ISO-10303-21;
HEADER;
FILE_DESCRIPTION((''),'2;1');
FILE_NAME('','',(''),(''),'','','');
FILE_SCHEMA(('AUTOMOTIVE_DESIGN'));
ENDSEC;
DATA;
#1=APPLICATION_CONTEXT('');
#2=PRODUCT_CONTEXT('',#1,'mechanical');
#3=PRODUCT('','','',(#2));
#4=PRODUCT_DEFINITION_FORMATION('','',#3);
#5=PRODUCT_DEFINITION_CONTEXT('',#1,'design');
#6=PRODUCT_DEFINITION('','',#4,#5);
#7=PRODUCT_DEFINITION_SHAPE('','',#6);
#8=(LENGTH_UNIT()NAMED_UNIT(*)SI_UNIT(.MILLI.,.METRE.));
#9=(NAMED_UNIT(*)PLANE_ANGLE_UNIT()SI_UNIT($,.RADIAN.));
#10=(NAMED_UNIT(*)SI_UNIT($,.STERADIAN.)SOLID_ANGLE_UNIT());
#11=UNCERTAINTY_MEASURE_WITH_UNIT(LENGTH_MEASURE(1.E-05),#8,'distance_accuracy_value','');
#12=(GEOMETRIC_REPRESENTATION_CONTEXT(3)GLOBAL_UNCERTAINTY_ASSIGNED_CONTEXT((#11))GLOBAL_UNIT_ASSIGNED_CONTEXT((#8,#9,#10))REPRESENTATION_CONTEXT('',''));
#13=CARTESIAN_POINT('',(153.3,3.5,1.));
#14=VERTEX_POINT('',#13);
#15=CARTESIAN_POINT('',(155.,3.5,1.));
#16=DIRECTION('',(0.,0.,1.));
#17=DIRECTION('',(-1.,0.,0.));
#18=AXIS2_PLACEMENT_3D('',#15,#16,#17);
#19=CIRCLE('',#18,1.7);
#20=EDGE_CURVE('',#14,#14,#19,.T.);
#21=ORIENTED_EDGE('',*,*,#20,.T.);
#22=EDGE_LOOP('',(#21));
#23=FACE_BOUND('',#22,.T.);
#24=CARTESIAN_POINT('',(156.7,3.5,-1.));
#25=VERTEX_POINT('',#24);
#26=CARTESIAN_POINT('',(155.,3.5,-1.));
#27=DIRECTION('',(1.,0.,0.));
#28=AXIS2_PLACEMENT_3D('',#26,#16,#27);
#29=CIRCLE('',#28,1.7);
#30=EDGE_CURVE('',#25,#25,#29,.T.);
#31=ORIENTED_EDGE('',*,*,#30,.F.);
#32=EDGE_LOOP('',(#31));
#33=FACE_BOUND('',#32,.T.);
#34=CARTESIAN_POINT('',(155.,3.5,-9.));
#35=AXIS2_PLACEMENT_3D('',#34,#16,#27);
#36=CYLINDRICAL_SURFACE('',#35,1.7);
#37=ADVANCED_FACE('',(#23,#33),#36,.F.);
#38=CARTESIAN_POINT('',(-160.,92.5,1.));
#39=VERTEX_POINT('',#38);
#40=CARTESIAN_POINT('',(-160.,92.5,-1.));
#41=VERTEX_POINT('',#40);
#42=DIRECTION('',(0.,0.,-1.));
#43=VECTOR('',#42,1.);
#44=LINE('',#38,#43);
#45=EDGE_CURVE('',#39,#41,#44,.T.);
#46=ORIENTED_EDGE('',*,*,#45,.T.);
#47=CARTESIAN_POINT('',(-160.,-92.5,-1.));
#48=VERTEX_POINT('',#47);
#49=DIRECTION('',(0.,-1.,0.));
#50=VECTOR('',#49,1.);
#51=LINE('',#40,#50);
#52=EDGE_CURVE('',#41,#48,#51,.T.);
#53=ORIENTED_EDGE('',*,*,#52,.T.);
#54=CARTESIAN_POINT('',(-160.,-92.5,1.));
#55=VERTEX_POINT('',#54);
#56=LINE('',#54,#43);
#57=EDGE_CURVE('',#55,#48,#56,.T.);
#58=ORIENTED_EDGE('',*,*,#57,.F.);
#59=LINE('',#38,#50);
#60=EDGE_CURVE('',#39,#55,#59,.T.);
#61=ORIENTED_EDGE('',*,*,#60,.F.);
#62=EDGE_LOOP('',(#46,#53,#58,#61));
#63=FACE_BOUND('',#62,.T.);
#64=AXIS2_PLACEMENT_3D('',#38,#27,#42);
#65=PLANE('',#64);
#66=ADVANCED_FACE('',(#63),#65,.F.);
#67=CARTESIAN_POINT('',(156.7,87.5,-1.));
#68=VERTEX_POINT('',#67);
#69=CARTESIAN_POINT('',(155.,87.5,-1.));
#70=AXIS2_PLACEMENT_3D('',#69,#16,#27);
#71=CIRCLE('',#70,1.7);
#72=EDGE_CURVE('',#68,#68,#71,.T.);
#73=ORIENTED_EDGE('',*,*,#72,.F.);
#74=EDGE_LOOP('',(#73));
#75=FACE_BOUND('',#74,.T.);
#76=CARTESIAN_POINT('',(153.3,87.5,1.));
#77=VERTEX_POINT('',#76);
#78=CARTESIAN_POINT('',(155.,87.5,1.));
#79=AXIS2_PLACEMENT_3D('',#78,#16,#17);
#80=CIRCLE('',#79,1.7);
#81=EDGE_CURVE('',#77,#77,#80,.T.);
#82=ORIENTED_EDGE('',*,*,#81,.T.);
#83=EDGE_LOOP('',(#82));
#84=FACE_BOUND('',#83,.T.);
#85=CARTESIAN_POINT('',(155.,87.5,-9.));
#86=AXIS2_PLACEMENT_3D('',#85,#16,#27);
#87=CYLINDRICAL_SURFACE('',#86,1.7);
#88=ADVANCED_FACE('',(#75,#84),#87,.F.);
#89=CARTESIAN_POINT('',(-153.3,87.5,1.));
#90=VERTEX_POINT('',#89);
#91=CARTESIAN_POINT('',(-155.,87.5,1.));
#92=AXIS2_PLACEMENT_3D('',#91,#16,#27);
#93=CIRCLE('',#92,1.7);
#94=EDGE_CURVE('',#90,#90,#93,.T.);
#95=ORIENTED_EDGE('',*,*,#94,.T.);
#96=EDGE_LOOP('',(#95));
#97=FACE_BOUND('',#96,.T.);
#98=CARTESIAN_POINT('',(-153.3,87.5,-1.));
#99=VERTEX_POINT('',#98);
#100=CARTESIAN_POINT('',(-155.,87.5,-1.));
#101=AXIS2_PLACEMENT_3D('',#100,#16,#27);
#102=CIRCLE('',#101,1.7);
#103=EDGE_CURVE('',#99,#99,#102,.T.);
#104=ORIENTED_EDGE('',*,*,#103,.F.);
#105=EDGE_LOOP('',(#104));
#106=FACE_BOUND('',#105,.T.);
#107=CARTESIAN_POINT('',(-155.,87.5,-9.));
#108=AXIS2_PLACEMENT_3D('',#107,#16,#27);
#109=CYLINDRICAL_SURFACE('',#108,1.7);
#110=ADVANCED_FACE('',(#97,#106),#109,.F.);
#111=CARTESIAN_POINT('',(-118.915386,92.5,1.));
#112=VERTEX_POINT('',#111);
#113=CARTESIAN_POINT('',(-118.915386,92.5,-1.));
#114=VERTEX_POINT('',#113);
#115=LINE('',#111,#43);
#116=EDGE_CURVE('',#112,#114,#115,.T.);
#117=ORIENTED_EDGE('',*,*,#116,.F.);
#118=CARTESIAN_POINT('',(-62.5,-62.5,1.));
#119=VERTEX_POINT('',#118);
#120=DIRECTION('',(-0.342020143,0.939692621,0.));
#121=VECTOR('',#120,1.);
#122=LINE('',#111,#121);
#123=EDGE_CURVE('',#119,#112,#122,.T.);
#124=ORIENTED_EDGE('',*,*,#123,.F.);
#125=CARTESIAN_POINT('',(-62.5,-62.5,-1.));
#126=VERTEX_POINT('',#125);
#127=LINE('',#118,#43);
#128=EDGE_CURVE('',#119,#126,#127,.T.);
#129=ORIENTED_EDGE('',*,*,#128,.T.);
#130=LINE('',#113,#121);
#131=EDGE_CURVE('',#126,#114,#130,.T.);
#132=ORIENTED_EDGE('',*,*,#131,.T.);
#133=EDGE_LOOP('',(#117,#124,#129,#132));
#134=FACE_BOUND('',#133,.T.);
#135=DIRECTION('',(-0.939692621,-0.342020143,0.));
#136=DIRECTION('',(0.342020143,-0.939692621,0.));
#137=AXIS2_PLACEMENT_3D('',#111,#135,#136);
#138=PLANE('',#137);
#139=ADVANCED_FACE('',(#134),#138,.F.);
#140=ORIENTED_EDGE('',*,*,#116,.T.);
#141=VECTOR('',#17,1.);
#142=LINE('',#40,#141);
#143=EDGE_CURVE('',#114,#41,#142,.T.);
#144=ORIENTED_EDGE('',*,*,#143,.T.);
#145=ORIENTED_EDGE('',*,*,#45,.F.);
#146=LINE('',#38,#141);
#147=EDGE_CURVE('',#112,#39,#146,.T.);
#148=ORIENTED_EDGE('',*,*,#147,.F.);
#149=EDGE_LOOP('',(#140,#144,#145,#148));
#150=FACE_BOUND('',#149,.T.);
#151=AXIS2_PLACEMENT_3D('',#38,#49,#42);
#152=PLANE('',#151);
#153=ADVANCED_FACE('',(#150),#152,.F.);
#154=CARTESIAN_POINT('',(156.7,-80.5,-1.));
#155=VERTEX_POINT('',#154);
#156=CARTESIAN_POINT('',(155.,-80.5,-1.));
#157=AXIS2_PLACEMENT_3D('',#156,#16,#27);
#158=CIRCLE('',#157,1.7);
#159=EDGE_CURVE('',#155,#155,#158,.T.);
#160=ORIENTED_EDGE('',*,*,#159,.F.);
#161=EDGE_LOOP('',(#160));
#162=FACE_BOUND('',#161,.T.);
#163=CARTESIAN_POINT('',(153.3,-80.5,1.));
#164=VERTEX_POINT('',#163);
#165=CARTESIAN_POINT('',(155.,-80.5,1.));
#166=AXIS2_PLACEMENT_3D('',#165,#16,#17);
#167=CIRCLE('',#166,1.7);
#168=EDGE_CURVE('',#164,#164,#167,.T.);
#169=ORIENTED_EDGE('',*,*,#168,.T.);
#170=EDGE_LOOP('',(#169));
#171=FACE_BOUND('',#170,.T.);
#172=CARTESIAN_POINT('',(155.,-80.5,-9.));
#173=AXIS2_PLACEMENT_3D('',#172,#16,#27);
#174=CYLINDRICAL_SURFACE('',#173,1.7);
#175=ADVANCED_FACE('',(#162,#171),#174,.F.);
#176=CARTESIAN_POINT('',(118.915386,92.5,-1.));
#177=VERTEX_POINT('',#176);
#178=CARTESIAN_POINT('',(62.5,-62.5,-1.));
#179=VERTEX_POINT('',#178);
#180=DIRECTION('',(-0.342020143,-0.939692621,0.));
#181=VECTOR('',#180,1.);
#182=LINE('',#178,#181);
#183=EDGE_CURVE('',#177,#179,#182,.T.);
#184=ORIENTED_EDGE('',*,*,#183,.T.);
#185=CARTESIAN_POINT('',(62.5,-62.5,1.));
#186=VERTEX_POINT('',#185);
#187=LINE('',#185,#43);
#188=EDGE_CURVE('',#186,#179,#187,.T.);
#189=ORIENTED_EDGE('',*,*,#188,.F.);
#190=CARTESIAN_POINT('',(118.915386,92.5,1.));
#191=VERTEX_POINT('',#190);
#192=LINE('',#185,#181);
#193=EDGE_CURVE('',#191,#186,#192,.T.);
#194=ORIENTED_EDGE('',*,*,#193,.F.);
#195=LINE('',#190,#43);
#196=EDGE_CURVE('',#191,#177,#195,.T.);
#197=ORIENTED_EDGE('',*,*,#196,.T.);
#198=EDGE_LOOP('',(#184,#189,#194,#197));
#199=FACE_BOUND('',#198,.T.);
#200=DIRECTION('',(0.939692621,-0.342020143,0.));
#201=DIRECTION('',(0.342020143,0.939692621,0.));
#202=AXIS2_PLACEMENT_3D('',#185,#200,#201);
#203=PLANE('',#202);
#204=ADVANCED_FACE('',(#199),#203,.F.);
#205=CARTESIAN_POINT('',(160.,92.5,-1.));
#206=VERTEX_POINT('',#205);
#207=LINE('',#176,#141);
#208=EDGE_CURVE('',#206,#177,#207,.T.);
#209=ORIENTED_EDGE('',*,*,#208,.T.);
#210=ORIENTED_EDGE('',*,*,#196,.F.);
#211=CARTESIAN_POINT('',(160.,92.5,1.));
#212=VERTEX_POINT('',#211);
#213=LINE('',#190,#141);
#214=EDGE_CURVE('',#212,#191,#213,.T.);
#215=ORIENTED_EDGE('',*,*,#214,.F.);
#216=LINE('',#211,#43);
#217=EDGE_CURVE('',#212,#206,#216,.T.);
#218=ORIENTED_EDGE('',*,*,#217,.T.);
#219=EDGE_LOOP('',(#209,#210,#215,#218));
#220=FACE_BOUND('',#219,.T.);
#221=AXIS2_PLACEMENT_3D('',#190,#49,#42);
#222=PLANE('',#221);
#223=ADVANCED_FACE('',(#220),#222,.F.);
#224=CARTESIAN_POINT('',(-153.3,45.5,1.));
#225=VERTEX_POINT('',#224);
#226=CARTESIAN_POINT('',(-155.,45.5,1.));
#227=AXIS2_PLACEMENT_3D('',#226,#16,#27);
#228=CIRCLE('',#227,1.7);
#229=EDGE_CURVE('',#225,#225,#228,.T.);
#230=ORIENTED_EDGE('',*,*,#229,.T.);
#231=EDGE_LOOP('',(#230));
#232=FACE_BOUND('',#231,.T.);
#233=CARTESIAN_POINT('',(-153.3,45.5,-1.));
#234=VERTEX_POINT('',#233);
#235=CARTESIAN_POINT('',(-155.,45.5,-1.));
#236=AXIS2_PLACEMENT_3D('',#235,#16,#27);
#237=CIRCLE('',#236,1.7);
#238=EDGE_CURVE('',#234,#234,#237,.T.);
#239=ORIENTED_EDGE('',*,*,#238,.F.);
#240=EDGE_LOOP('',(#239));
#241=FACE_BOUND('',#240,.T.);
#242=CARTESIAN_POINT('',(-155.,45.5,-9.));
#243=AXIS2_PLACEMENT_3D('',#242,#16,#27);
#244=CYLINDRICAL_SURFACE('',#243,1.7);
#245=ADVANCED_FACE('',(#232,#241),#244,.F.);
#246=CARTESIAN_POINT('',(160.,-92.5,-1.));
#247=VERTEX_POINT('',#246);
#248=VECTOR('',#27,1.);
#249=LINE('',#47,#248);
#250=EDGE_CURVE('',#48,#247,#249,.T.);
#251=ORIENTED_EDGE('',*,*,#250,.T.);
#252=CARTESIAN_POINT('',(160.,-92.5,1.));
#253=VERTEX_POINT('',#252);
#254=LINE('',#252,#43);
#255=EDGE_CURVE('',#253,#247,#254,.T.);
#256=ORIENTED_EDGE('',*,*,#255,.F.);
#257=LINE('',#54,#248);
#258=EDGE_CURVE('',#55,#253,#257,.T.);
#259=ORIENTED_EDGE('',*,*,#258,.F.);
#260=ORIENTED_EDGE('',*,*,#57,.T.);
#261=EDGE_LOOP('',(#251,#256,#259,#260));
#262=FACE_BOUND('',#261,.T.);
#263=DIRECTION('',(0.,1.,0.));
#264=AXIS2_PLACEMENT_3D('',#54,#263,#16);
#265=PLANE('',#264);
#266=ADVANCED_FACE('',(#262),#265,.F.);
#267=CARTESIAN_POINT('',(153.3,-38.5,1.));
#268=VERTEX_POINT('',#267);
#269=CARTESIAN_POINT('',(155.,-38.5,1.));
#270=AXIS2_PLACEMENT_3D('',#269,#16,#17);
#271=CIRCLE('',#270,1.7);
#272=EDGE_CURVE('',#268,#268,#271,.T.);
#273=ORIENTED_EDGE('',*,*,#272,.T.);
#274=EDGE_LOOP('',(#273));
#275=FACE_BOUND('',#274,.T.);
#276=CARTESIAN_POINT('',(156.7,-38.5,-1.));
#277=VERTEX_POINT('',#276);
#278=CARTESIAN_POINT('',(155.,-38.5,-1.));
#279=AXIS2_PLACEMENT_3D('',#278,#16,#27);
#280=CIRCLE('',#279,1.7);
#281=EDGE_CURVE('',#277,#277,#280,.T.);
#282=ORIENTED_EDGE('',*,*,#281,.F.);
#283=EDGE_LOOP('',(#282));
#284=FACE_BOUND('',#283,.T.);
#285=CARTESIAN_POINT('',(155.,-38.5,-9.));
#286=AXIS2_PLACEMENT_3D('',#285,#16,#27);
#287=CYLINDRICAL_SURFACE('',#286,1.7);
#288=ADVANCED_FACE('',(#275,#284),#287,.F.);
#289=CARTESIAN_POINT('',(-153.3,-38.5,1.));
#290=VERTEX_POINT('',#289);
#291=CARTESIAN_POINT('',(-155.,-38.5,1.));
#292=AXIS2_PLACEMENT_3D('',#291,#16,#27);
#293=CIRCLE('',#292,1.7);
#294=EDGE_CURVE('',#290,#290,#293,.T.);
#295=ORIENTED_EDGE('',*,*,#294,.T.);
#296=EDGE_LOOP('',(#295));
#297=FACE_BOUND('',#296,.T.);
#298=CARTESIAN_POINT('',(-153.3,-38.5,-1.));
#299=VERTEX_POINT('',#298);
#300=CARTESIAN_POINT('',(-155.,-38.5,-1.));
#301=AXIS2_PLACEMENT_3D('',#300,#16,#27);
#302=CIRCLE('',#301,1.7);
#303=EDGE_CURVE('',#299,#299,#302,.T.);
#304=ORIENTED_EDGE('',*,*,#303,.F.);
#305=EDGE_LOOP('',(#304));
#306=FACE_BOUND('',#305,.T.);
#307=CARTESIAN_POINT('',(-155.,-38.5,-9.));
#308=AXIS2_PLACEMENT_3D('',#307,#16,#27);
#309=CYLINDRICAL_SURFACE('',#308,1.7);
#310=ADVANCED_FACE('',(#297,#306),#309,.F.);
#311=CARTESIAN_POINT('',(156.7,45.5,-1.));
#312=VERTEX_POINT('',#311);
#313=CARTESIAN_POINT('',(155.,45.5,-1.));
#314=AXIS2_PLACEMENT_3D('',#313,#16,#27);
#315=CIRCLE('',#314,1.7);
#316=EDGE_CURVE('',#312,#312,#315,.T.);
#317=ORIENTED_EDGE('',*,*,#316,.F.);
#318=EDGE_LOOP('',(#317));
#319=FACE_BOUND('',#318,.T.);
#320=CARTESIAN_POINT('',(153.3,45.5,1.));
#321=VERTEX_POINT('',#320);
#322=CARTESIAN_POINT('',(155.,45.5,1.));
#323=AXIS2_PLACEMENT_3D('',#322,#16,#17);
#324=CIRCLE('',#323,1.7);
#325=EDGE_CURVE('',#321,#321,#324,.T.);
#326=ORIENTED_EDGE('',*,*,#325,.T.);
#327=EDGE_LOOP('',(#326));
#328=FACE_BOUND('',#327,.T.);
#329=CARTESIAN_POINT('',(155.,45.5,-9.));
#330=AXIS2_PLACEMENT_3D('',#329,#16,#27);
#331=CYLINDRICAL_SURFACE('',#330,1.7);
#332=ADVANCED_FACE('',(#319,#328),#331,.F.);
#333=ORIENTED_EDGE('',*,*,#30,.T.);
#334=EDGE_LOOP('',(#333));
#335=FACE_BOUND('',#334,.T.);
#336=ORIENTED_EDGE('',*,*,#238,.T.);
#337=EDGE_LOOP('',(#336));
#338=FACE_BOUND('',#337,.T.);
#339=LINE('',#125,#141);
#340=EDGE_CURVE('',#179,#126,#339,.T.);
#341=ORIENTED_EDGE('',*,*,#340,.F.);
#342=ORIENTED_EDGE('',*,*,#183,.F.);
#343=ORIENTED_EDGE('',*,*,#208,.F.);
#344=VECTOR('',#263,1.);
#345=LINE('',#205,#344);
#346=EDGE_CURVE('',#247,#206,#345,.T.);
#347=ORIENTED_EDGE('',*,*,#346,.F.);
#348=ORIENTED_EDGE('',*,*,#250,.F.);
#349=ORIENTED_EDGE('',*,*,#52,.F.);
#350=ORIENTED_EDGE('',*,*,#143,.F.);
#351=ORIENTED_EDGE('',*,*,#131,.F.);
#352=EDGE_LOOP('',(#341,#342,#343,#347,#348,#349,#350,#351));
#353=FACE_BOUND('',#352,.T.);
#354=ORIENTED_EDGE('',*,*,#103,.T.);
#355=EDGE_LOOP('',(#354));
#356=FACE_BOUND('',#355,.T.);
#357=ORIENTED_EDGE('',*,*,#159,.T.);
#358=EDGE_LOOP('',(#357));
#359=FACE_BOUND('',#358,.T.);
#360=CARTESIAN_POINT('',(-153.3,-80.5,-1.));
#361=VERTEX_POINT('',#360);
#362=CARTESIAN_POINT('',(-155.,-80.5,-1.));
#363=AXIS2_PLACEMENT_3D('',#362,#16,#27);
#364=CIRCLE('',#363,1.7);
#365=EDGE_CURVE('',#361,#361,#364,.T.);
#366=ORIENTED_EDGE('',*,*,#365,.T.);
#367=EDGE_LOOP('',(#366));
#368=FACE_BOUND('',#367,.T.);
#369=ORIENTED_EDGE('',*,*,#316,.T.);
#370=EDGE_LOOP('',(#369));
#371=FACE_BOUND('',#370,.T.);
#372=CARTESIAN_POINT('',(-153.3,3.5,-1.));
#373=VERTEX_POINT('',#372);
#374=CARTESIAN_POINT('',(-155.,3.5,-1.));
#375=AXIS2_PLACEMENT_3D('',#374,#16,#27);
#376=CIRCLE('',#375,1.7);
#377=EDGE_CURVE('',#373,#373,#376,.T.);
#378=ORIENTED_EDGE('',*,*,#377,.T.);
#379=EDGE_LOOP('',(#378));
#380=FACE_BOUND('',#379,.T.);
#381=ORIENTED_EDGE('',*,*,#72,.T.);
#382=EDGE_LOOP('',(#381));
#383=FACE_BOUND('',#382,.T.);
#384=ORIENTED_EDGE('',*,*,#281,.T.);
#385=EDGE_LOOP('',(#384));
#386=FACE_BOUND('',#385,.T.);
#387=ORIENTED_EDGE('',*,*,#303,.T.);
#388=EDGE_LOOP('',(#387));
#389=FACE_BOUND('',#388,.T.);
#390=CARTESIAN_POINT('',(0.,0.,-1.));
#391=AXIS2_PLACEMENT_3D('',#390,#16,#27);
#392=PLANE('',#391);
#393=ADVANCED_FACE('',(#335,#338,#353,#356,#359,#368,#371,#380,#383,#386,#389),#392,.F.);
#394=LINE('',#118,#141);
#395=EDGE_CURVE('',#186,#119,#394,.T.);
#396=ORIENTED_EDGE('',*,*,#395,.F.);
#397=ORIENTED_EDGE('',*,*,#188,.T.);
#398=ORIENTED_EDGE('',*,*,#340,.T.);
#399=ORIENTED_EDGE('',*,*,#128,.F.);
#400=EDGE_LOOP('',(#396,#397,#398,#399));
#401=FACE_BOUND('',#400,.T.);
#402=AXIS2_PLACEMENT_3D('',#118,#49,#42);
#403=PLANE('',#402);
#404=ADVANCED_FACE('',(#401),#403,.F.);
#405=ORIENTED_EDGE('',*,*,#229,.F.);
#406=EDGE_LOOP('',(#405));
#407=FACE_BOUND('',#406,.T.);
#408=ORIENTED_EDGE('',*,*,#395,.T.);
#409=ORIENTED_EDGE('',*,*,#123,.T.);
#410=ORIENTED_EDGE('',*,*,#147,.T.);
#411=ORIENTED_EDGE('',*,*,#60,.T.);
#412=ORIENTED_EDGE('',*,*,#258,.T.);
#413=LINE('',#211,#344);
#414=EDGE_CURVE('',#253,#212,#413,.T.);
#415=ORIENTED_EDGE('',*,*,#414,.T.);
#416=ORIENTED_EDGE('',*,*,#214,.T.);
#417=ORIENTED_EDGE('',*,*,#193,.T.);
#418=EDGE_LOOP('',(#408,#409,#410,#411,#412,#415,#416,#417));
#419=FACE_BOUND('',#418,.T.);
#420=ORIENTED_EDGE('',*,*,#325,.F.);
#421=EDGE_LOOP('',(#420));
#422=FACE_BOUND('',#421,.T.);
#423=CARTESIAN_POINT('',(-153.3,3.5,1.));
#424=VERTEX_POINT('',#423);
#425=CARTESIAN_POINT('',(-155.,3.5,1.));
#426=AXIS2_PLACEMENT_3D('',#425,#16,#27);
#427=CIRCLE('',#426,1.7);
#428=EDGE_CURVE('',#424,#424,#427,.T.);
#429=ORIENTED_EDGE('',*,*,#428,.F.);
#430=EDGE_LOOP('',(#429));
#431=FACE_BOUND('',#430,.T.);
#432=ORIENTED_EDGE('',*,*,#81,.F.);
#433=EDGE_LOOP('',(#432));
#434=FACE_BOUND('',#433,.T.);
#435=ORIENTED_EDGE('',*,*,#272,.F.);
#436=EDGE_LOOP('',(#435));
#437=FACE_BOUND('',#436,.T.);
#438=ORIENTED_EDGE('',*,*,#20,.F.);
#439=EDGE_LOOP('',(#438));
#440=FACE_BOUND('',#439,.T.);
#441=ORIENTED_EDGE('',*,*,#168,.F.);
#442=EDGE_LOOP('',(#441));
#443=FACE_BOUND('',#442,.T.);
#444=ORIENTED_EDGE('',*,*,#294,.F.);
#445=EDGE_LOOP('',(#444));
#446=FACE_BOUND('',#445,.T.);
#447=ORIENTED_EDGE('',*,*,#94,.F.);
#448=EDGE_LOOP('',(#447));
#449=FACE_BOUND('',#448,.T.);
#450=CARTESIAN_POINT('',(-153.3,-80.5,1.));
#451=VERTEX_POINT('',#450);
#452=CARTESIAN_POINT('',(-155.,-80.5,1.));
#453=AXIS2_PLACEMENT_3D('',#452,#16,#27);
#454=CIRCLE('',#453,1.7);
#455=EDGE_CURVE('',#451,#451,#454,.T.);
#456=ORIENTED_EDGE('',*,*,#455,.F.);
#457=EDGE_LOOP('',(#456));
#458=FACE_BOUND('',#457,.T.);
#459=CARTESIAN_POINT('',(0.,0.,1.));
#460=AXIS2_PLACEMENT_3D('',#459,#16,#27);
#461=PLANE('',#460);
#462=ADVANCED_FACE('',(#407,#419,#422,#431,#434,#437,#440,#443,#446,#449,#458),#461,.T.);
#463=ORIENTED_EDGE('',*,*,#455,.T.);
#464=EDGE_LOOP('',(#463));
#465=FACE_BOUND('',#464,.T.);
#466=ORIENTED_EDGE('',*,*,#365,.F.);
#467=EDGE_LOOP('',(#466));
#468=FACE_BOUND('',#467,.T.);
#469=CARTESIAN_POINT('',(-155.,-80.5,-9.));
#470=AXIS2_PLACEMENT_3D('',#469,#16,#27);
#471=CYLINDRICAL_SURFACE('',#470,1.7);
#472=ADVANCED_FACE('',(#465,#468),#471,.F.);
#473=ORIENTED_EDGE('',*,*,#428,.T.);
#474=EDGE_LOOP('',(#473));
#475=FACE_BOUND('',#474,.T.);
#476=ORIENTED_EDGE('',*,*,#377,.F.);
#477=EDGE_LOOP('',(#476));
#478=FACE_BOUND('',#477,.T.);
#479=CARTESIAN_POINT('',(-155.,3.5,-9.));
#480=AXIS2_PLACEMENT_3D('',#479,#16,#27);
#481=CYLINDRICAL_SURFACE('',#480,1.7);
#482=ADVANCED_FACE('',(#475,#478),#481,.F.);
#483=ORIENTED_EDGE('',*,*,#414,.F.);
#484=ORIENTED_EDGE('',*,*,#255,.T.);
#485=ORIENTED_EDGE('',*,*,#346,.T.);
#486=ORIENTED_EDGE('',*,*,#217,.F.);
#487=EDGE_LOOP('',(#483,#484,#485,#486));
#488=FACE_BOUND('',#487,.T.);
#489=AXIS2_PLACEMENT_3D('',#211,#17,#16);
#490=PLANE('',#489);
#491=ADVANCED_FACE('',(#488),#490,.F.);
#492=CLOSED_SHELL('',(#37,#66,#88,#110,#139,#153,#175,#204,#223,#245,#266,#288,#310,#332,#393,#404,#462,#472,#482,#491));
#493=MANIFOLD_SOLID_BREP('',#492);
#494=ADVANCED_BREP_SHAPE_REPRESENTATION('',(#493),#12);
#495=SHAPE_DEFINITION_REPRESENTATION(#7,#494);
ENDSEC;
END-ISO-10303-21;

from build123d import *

# Parameters (mm, degrees)
EXTRUDE_1_DEPTH     = 1
SKETCH_2_R          = 1.7
CUT_EXTRUDE_1_DEPTH = 10


with BuildPart() as part:
    # Эскиз1 → Бобышка-Вытянуть1 (new, symmetric)
    with BuildSketch(Plane.XY):
        Polygon((-118.915386311, 92.5), (-62.5, -62.5), (62.5, -62.5), (118.915386311, 92.5), (160, 92.5), (160, -92.5), (-160, -92.5), (-160, 92.5), align=None)
    extrude(amount=EXTRUDE_1_DEPTH, both=True)

    # Эскиз2 → Вырез-Вытянуть1 (cut)
    with BuildSketch(Plane.XY.offset(1)):
        with Locations((-155, 87.5)):
            Circle(SKETCH_2_R)
        with Locations((-155, 45.5)):
            Circle(SKETCH_2_R)
        with Locations((-155, 3.5)):
            Circle(SKETCH_2_R)
        with Locations((-155, -38.5)):
            Circle(SKETCH_2_R)
        with Locations((-155, -80.5)):
            Circle(SKETCH_2_R)
        with Locations((155, -80.5)):
            Circle(SKETCH_2_R)
        with Locations((155, -38.5)):
            Circle(SKETCH_2_R)
        with Locations((155, 3.5)):
            Circle(SKETCH_2_R)
        with Locations((155, 45.5)):
            Circle(SKETCH_2_R)
        with Locations((155, 87.5)):
            Circle(SKETCH_2_R)
    extrude(amount=-CUT_EXTRUDE_1_DEPTH, mode=Mode.SUBTRACT)


solid = part.part
